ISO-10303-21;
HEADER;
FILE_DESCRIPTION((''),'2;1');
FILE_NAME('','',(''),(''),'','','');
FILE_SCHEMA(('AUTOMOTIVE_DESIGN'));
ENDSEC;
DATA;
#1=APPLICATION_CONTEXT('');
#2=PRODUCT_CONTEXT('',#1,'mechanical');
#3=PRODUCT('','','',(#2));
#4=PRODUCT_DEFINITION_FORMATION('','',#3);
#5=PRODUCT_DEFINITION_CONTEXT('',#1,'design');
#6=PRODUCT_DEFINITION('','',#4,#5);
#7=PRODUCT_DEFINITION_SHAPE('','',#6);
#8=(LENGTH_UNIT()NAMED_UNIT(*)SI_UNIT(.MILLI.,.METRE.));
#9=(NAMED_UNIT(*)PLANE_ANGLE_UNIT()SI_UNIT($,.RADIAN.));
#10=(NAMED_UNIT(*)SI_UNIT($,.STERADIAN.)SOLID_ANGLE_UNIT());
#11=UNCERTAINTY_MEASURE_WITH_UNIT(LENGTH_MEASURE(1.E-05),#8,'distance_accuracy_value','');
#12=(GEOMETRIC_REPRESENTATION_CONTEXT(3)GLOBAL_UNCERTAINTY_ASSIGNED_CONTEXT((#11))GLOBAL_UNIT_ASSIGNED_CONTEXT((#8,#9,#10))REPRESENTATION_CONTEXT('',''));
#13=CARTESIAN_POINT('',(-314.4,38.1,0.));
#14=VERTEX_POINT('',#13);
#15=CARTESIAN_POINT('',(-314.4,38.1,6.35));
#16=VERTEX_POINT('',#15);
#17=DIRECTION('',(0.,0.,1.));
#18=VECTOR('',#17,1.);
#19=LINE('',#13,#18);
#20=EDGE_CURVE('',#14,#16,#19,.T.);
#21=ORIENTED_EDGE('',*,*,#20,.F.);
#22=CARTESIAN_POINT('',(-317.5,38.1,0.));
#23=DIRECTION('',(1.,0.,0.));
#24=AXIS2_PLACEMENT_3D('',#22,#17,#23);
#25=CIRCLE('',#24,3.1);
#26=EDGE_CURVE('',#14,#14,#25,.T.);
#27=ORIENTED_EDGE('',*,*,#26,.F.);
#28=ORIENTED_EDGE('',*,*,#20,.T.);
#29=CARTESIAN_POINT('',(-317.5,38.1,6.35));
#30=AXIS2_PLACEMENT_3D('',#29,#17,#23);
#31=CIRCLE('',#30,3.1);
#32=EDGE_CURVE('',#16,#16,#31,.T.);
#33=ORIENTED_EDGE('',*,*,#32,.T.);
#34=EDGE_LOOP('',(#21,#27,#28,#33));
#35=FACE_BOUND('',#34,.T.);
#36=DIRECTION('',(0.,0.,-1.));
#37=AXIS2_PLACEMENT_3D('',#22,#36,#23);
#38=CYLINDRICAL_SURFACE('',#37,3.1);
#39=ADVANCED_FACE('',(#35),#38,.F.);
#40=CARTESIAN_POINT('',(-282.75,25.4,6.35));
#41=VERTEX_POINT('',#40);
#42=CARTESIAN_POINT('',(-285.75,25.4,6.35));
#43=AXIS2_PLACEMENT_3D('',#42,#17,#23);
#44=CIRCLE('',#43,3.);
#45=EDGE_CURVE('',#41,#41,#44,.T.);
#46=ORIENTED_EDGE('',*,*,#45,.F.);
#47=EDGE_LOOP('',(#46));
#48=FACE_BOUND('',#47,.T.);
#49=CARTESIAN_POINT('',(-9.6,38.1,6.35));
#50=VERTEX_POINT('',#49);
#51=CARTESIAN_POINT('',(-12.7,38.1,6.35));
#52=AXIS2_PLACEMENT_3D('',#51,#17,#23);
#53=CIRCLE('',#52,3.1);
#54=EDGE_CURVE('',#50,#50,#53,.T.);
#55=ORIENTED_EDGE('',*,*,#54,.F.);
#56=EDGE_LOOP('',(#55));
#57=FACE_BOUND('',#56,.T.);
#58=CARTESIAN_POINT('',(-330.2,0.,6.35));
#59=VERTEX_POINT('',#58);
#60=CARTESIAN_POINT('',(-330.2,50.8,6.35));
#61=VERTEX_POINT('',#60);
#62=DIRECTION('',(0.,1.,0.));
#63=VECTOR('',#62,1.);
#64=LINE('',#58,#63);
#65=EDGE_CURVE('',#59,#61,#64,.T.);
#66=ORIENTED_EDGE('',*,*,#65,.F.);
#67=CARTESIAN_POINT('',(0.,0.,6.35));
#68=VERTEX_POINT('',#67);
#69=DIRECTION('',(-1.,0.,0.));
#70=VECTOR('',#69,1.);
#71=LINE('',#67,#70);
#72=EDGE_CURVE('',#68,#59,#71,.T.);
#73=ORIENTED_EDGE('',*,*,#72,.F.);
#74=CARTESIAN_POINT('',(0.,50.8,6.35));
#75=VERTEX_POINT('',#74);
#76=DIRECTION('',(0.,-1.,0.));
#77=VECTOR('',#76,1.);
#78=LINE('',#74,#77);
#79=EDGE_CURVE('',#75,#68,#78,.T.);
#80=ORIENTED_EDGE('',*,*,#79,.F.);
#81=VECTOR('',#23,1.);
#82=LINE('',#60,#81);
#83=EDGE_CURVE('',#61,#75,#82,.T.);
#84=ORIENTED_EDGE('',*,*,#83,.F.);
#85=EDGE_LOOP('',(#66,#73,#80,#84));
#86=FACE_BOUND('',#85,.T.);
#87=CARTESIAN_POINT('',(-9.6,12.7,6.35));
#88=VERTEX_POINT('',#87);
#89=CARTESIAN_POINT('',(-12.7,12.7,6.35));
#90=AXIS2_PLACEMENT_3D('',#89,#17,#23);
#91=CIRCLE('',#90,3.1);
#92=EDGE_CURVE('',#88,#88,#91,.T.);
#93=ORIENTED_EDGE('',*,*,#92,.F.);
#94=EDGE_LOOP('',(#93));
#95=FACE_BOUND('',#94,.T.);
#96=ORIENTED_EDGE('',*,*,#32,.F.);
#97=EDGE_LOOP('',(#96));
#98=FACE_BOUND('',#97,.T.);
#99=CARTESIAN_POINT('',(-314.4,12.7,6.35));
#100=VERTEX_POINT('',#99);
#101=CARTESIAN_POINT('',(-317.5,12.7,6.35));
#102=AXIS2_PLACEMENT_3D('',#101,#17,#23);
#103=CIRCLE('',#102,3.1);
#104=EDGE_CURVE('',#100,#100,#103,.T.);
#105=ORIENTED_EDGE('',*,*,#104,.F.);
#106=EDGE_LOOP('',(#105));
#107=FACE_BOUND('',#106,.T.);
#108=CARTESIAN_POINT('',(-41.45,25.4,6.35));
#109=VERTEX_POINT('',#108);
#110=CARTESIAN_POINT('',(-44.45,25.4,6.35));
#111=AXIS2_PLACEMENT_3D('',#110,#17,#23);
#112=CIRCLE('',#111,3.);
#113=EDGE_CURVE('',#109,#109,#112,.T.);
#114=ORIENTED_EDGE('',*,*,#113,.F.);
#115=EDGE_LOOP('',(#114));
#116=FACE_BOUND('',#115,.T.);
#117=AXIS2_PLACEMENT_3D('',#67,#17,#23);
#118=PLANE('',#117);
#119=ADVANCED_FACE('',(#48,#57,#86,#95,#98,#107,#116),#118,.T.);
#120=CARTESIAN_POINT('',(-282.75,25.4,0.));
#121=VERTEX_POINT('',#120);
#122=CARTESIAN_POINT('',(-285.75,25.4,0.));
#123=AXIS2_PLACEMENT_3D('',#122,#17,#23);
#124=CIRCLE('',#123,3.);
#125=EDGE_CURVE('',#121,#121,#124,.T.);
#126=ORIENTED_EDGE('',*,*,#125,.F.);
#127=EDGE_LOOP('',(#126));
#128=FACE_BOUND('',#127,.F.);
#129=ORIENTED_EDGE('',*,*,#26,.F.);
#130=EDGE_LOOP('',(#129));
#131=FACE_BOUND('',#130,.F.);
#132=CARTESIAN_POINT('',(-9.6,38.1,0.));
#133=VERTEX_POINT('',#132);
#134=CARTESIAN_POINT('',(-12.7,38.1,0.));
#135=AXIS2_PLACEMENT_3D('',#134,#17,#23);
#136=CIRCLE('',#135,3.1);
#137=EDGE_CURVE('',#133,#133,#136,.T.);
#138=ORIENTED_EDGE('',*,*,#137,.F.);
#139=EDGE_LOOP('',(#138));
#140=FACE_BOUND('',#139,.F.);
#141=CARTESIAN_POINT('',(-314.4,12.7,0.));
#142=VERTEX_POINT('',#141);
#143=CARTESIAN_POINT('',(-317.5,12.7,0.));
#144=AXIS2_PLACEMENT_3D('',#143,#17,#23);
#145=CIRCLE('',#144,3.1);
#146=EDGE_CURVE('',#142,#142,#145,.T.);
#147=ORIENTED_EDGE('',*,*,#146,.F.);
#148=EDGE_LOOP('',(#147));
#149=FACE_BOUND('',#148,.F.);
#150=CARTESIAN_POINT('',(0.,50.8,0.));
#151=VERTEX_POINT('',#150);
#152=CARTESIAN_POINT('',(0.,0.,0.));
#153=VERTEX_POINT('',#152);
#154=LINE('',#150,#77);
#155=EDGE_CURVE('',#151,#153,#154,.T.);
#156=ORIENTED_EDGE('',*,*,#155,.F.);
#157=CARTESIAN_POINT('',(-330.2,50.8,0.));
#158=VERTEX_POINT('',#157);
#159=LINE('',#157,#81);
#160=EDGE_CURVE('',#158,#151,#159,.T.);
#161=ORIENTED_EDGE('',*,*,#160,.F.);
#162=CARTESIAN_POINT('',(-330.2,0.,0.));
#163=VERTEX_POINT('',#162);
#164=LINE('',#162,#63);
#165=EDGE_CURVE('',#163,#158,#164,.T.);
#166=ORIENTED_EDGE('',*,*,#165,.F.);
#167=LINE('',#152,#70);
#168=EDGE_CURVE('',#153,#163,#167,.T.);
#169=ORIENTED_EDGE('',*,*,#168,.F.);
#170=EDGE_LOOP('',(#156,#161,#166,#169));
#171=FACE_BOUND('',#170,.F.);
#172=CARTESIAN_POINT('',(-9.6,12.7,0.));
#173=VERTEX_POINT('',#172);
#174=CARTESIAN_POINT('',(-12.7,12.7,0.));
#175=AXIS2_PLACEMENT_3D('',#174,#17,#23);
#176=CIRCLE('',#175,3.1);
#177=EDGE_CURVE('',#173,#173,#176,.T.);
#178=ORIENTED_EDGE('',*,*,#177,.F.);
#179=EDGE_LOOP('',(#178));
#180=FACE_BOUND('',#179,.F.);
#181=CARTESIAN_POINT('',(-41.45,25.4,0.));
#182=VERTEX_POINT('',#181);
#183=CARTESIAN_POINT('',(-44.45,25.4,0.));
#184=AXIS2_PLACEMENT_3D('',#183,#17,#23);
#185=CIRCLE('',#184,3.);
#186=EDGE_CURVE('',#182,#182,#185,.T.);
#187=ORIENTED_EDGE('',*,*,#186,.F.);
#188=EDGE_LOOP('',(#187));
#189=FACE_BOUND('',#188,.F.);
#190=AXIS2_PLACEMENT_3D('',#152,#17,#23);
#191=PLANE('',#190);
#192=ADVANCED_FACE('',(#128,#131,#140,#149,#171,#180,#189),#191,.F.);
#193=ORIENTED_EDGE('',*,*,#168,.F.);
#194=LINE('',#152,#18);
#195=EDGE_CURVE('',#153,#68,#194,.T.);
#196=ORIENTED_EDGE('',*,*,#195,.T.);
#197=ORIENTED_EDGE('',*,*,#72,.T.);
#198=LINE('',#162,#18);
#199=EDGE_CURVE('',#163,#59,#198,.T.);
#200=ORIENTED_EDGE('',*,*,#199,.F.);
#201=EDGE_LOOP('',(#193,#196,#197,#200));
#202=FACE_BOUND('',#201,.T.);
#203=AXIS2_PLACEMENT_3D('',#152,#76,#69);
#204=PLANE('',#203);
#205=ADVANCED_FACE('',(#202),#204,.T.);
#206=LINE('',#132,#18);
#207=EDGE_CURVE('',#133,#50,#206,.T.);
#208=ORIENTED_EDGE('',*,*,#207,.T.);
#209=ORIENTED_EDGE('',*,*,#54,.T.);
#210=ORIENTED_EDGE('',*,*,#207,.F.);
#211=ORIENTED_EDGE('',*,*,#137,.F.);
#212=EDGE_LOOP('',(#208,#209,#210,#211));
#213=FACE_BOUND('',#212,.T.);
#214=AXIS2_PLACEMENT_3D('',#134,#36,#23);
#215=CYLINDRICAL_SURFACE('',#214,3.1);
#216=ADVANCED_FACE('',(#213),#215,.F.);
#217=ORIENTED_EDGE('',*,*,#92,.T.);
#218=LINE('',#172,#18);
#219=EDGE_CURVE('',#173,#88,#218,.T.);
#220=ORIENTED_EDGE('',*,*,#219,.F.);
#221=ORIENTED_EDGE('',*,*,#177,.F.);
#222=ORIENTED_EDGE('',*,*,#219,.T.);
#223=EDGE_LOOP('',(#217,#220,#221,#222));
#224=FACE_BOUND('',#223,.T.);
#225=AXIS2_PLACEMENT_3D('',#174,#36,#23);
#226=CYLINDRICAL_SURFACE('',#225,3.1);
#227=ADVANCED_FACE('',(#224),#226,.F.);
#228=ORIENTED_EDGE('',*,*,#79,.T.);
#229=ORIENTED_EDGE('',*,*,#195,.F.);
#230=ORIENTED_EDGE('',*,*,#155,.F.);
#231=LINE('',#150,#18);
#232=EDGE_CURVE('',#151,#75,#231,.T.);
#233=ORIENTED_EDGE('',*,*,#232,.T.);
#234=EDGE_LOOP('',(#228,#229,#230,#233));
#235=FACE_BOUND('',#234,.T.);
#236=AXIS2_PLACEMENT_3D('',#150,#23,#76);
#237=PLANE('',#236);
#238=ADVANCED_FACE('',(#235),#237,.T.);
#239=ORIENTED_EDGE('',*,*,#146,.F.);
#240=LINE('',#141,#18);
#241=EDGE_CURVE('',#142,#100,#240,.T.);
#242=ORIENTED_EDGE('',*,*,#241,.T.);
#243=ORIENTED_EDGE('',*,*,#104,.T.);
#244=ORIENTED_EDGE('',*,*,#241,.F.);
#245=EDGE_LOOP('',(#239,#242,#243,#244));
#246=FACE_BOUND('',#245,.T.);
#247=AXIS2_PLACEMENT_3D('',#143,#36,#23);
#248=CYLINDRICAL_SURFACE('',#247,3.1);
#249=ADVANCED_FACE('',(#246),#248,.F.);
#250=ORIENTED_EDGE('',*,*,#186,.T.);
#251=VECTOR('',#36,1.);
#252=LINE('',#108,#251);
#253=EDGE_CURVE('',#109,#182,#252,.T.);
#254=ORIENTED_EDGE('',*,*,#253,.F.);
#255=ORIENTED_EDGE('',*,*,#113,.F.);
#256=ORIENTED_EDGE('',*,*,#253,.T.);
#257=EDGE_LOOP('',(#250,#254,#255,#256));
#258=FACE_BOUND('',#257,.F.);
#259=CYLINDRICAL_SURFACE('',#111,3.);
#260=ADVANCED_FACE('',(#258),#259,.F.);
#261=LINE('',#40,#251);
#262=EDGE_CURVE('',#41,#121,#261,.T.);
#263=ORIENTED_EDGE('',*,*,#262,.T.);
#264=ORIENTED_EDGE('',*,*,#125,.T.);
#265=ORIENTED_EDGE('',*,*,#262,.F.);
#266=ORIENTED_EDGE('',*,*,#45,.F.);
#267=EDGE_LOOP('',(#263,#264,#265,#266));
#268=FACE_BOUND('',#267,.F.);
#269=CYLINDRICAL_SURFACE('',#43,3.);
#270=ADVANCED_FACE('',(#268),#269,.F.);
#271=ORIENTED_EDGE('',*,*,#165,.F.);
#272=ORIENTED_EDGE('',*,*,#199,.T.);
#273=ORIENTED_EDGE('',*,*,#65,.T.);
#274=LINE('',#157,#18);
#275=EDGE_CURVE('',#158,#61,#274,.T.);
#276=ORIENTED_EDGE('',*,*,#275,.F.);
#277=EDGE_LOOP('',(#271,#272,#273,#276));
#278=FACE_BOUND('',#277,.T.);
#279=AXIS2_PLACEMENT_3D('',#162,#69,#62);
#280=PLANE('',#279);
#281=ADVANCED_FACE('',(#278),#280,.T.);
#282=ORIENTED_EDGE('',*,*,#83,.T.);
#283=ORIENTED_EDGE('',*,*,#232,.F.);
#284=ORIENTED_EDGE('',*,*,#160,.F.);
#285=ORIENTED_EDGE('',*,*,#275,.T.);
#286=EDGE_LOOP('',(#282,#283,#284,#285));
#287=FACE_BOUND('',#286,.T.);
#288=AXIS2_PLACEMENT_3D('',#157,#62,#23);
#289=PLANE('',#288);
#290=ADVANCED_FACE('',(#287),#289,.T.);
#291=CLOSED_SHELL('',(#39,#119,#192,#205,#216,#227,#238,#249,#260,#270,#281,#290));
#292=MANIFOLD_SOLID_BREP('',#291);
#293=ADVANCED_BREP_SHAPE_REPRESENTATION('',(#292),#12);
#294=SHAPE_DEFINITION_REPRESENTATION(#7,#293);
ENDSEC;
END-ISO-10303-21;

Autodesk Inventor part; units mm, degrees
ref_plane "YZ Plane" through (0, 0, 0) normal (1, 0, 0) x (0, 1, 0)
ref_plane "XZ Plane" through (0, 0, 0) normal (0, 1, 0) x (-1, 0, 0)
ref_plane "XY Plane" through (0, 0, 0) normal (0, 0, 1) x (1, 0, 0)
sketch "Sketch1" plane through (0, 0, 0) normal (0, 0, 1) x (1, 0, 0)
  line L0 (0, 0) -> (-330.2, 0)
  line L1 (-330.2, 0) -> (-330.2, 50.8)
  line L2 (-330.2, 50.8) -> (0, 50.8)
  line L3 (0, 50.8) -> (0, 0)
  circle A0 centre (-12.7, 38.1) radius 3.1
  circle A1 centre (-12.7, 12.7) radius 3.1
  circle A2 centre (-317.5, 38.1) radius 3.1
  circle A3 centre (-317.5, 12.7) radius 3.1
  circle A4 centre (-285.75, 25.4) radius 3
  circle A5 centre (-44.45, 25.4) radius 3
  dimension "d0" = 330.2
  dimension "d1" = 50.8
  dimension "d2" = 6.2
  dimension "d3" = 6.2
  dimension "d4" = 6.2
  dimension "d5" = 6.2
  dimension "d6" = 12.7
  dimension "d7" = 12.7
  dimension "d8" = 25.4
  dimension "d9" = 12.7
  dimension "d10" = 12.7
  dimension "d11" = 12.7
  dimension "d12" = 25.4
  dimension "d13" = 12.7
  dimension "d16" = 6
  dimension "d17" = 44.45
  dimension "d18" = 6
  dimension "d19" = 44.45
extrude "Extrusion1" add sketch "Sketch1" along normal blind 6.35 contours L0 L1 L2 L3 | A4 | A5
sketch "Sketch2" plane through (0, 0, 6.35) normal (0, 0, 1) x (1, 0, 0)
  circle A0 centre (-44.45, 25.4) radius 3
  circle A1 centre (-285.75, 25.4) radius 3
  line L0 (0, 0) -> (0, 50.8) projected
  line L1 (-330.2, 50.8) -> (-330.2, 0) projected
  dimension "d20" = 6
  dimension "d21" = 6
  dimension "d22" = 44.45
  dimension "d23" = 44.45
extrude "Extrusion2" cut sketch "Sketch2" against normal blind 6.35
properties part number "outbrace" material "Aluminum 6061"
